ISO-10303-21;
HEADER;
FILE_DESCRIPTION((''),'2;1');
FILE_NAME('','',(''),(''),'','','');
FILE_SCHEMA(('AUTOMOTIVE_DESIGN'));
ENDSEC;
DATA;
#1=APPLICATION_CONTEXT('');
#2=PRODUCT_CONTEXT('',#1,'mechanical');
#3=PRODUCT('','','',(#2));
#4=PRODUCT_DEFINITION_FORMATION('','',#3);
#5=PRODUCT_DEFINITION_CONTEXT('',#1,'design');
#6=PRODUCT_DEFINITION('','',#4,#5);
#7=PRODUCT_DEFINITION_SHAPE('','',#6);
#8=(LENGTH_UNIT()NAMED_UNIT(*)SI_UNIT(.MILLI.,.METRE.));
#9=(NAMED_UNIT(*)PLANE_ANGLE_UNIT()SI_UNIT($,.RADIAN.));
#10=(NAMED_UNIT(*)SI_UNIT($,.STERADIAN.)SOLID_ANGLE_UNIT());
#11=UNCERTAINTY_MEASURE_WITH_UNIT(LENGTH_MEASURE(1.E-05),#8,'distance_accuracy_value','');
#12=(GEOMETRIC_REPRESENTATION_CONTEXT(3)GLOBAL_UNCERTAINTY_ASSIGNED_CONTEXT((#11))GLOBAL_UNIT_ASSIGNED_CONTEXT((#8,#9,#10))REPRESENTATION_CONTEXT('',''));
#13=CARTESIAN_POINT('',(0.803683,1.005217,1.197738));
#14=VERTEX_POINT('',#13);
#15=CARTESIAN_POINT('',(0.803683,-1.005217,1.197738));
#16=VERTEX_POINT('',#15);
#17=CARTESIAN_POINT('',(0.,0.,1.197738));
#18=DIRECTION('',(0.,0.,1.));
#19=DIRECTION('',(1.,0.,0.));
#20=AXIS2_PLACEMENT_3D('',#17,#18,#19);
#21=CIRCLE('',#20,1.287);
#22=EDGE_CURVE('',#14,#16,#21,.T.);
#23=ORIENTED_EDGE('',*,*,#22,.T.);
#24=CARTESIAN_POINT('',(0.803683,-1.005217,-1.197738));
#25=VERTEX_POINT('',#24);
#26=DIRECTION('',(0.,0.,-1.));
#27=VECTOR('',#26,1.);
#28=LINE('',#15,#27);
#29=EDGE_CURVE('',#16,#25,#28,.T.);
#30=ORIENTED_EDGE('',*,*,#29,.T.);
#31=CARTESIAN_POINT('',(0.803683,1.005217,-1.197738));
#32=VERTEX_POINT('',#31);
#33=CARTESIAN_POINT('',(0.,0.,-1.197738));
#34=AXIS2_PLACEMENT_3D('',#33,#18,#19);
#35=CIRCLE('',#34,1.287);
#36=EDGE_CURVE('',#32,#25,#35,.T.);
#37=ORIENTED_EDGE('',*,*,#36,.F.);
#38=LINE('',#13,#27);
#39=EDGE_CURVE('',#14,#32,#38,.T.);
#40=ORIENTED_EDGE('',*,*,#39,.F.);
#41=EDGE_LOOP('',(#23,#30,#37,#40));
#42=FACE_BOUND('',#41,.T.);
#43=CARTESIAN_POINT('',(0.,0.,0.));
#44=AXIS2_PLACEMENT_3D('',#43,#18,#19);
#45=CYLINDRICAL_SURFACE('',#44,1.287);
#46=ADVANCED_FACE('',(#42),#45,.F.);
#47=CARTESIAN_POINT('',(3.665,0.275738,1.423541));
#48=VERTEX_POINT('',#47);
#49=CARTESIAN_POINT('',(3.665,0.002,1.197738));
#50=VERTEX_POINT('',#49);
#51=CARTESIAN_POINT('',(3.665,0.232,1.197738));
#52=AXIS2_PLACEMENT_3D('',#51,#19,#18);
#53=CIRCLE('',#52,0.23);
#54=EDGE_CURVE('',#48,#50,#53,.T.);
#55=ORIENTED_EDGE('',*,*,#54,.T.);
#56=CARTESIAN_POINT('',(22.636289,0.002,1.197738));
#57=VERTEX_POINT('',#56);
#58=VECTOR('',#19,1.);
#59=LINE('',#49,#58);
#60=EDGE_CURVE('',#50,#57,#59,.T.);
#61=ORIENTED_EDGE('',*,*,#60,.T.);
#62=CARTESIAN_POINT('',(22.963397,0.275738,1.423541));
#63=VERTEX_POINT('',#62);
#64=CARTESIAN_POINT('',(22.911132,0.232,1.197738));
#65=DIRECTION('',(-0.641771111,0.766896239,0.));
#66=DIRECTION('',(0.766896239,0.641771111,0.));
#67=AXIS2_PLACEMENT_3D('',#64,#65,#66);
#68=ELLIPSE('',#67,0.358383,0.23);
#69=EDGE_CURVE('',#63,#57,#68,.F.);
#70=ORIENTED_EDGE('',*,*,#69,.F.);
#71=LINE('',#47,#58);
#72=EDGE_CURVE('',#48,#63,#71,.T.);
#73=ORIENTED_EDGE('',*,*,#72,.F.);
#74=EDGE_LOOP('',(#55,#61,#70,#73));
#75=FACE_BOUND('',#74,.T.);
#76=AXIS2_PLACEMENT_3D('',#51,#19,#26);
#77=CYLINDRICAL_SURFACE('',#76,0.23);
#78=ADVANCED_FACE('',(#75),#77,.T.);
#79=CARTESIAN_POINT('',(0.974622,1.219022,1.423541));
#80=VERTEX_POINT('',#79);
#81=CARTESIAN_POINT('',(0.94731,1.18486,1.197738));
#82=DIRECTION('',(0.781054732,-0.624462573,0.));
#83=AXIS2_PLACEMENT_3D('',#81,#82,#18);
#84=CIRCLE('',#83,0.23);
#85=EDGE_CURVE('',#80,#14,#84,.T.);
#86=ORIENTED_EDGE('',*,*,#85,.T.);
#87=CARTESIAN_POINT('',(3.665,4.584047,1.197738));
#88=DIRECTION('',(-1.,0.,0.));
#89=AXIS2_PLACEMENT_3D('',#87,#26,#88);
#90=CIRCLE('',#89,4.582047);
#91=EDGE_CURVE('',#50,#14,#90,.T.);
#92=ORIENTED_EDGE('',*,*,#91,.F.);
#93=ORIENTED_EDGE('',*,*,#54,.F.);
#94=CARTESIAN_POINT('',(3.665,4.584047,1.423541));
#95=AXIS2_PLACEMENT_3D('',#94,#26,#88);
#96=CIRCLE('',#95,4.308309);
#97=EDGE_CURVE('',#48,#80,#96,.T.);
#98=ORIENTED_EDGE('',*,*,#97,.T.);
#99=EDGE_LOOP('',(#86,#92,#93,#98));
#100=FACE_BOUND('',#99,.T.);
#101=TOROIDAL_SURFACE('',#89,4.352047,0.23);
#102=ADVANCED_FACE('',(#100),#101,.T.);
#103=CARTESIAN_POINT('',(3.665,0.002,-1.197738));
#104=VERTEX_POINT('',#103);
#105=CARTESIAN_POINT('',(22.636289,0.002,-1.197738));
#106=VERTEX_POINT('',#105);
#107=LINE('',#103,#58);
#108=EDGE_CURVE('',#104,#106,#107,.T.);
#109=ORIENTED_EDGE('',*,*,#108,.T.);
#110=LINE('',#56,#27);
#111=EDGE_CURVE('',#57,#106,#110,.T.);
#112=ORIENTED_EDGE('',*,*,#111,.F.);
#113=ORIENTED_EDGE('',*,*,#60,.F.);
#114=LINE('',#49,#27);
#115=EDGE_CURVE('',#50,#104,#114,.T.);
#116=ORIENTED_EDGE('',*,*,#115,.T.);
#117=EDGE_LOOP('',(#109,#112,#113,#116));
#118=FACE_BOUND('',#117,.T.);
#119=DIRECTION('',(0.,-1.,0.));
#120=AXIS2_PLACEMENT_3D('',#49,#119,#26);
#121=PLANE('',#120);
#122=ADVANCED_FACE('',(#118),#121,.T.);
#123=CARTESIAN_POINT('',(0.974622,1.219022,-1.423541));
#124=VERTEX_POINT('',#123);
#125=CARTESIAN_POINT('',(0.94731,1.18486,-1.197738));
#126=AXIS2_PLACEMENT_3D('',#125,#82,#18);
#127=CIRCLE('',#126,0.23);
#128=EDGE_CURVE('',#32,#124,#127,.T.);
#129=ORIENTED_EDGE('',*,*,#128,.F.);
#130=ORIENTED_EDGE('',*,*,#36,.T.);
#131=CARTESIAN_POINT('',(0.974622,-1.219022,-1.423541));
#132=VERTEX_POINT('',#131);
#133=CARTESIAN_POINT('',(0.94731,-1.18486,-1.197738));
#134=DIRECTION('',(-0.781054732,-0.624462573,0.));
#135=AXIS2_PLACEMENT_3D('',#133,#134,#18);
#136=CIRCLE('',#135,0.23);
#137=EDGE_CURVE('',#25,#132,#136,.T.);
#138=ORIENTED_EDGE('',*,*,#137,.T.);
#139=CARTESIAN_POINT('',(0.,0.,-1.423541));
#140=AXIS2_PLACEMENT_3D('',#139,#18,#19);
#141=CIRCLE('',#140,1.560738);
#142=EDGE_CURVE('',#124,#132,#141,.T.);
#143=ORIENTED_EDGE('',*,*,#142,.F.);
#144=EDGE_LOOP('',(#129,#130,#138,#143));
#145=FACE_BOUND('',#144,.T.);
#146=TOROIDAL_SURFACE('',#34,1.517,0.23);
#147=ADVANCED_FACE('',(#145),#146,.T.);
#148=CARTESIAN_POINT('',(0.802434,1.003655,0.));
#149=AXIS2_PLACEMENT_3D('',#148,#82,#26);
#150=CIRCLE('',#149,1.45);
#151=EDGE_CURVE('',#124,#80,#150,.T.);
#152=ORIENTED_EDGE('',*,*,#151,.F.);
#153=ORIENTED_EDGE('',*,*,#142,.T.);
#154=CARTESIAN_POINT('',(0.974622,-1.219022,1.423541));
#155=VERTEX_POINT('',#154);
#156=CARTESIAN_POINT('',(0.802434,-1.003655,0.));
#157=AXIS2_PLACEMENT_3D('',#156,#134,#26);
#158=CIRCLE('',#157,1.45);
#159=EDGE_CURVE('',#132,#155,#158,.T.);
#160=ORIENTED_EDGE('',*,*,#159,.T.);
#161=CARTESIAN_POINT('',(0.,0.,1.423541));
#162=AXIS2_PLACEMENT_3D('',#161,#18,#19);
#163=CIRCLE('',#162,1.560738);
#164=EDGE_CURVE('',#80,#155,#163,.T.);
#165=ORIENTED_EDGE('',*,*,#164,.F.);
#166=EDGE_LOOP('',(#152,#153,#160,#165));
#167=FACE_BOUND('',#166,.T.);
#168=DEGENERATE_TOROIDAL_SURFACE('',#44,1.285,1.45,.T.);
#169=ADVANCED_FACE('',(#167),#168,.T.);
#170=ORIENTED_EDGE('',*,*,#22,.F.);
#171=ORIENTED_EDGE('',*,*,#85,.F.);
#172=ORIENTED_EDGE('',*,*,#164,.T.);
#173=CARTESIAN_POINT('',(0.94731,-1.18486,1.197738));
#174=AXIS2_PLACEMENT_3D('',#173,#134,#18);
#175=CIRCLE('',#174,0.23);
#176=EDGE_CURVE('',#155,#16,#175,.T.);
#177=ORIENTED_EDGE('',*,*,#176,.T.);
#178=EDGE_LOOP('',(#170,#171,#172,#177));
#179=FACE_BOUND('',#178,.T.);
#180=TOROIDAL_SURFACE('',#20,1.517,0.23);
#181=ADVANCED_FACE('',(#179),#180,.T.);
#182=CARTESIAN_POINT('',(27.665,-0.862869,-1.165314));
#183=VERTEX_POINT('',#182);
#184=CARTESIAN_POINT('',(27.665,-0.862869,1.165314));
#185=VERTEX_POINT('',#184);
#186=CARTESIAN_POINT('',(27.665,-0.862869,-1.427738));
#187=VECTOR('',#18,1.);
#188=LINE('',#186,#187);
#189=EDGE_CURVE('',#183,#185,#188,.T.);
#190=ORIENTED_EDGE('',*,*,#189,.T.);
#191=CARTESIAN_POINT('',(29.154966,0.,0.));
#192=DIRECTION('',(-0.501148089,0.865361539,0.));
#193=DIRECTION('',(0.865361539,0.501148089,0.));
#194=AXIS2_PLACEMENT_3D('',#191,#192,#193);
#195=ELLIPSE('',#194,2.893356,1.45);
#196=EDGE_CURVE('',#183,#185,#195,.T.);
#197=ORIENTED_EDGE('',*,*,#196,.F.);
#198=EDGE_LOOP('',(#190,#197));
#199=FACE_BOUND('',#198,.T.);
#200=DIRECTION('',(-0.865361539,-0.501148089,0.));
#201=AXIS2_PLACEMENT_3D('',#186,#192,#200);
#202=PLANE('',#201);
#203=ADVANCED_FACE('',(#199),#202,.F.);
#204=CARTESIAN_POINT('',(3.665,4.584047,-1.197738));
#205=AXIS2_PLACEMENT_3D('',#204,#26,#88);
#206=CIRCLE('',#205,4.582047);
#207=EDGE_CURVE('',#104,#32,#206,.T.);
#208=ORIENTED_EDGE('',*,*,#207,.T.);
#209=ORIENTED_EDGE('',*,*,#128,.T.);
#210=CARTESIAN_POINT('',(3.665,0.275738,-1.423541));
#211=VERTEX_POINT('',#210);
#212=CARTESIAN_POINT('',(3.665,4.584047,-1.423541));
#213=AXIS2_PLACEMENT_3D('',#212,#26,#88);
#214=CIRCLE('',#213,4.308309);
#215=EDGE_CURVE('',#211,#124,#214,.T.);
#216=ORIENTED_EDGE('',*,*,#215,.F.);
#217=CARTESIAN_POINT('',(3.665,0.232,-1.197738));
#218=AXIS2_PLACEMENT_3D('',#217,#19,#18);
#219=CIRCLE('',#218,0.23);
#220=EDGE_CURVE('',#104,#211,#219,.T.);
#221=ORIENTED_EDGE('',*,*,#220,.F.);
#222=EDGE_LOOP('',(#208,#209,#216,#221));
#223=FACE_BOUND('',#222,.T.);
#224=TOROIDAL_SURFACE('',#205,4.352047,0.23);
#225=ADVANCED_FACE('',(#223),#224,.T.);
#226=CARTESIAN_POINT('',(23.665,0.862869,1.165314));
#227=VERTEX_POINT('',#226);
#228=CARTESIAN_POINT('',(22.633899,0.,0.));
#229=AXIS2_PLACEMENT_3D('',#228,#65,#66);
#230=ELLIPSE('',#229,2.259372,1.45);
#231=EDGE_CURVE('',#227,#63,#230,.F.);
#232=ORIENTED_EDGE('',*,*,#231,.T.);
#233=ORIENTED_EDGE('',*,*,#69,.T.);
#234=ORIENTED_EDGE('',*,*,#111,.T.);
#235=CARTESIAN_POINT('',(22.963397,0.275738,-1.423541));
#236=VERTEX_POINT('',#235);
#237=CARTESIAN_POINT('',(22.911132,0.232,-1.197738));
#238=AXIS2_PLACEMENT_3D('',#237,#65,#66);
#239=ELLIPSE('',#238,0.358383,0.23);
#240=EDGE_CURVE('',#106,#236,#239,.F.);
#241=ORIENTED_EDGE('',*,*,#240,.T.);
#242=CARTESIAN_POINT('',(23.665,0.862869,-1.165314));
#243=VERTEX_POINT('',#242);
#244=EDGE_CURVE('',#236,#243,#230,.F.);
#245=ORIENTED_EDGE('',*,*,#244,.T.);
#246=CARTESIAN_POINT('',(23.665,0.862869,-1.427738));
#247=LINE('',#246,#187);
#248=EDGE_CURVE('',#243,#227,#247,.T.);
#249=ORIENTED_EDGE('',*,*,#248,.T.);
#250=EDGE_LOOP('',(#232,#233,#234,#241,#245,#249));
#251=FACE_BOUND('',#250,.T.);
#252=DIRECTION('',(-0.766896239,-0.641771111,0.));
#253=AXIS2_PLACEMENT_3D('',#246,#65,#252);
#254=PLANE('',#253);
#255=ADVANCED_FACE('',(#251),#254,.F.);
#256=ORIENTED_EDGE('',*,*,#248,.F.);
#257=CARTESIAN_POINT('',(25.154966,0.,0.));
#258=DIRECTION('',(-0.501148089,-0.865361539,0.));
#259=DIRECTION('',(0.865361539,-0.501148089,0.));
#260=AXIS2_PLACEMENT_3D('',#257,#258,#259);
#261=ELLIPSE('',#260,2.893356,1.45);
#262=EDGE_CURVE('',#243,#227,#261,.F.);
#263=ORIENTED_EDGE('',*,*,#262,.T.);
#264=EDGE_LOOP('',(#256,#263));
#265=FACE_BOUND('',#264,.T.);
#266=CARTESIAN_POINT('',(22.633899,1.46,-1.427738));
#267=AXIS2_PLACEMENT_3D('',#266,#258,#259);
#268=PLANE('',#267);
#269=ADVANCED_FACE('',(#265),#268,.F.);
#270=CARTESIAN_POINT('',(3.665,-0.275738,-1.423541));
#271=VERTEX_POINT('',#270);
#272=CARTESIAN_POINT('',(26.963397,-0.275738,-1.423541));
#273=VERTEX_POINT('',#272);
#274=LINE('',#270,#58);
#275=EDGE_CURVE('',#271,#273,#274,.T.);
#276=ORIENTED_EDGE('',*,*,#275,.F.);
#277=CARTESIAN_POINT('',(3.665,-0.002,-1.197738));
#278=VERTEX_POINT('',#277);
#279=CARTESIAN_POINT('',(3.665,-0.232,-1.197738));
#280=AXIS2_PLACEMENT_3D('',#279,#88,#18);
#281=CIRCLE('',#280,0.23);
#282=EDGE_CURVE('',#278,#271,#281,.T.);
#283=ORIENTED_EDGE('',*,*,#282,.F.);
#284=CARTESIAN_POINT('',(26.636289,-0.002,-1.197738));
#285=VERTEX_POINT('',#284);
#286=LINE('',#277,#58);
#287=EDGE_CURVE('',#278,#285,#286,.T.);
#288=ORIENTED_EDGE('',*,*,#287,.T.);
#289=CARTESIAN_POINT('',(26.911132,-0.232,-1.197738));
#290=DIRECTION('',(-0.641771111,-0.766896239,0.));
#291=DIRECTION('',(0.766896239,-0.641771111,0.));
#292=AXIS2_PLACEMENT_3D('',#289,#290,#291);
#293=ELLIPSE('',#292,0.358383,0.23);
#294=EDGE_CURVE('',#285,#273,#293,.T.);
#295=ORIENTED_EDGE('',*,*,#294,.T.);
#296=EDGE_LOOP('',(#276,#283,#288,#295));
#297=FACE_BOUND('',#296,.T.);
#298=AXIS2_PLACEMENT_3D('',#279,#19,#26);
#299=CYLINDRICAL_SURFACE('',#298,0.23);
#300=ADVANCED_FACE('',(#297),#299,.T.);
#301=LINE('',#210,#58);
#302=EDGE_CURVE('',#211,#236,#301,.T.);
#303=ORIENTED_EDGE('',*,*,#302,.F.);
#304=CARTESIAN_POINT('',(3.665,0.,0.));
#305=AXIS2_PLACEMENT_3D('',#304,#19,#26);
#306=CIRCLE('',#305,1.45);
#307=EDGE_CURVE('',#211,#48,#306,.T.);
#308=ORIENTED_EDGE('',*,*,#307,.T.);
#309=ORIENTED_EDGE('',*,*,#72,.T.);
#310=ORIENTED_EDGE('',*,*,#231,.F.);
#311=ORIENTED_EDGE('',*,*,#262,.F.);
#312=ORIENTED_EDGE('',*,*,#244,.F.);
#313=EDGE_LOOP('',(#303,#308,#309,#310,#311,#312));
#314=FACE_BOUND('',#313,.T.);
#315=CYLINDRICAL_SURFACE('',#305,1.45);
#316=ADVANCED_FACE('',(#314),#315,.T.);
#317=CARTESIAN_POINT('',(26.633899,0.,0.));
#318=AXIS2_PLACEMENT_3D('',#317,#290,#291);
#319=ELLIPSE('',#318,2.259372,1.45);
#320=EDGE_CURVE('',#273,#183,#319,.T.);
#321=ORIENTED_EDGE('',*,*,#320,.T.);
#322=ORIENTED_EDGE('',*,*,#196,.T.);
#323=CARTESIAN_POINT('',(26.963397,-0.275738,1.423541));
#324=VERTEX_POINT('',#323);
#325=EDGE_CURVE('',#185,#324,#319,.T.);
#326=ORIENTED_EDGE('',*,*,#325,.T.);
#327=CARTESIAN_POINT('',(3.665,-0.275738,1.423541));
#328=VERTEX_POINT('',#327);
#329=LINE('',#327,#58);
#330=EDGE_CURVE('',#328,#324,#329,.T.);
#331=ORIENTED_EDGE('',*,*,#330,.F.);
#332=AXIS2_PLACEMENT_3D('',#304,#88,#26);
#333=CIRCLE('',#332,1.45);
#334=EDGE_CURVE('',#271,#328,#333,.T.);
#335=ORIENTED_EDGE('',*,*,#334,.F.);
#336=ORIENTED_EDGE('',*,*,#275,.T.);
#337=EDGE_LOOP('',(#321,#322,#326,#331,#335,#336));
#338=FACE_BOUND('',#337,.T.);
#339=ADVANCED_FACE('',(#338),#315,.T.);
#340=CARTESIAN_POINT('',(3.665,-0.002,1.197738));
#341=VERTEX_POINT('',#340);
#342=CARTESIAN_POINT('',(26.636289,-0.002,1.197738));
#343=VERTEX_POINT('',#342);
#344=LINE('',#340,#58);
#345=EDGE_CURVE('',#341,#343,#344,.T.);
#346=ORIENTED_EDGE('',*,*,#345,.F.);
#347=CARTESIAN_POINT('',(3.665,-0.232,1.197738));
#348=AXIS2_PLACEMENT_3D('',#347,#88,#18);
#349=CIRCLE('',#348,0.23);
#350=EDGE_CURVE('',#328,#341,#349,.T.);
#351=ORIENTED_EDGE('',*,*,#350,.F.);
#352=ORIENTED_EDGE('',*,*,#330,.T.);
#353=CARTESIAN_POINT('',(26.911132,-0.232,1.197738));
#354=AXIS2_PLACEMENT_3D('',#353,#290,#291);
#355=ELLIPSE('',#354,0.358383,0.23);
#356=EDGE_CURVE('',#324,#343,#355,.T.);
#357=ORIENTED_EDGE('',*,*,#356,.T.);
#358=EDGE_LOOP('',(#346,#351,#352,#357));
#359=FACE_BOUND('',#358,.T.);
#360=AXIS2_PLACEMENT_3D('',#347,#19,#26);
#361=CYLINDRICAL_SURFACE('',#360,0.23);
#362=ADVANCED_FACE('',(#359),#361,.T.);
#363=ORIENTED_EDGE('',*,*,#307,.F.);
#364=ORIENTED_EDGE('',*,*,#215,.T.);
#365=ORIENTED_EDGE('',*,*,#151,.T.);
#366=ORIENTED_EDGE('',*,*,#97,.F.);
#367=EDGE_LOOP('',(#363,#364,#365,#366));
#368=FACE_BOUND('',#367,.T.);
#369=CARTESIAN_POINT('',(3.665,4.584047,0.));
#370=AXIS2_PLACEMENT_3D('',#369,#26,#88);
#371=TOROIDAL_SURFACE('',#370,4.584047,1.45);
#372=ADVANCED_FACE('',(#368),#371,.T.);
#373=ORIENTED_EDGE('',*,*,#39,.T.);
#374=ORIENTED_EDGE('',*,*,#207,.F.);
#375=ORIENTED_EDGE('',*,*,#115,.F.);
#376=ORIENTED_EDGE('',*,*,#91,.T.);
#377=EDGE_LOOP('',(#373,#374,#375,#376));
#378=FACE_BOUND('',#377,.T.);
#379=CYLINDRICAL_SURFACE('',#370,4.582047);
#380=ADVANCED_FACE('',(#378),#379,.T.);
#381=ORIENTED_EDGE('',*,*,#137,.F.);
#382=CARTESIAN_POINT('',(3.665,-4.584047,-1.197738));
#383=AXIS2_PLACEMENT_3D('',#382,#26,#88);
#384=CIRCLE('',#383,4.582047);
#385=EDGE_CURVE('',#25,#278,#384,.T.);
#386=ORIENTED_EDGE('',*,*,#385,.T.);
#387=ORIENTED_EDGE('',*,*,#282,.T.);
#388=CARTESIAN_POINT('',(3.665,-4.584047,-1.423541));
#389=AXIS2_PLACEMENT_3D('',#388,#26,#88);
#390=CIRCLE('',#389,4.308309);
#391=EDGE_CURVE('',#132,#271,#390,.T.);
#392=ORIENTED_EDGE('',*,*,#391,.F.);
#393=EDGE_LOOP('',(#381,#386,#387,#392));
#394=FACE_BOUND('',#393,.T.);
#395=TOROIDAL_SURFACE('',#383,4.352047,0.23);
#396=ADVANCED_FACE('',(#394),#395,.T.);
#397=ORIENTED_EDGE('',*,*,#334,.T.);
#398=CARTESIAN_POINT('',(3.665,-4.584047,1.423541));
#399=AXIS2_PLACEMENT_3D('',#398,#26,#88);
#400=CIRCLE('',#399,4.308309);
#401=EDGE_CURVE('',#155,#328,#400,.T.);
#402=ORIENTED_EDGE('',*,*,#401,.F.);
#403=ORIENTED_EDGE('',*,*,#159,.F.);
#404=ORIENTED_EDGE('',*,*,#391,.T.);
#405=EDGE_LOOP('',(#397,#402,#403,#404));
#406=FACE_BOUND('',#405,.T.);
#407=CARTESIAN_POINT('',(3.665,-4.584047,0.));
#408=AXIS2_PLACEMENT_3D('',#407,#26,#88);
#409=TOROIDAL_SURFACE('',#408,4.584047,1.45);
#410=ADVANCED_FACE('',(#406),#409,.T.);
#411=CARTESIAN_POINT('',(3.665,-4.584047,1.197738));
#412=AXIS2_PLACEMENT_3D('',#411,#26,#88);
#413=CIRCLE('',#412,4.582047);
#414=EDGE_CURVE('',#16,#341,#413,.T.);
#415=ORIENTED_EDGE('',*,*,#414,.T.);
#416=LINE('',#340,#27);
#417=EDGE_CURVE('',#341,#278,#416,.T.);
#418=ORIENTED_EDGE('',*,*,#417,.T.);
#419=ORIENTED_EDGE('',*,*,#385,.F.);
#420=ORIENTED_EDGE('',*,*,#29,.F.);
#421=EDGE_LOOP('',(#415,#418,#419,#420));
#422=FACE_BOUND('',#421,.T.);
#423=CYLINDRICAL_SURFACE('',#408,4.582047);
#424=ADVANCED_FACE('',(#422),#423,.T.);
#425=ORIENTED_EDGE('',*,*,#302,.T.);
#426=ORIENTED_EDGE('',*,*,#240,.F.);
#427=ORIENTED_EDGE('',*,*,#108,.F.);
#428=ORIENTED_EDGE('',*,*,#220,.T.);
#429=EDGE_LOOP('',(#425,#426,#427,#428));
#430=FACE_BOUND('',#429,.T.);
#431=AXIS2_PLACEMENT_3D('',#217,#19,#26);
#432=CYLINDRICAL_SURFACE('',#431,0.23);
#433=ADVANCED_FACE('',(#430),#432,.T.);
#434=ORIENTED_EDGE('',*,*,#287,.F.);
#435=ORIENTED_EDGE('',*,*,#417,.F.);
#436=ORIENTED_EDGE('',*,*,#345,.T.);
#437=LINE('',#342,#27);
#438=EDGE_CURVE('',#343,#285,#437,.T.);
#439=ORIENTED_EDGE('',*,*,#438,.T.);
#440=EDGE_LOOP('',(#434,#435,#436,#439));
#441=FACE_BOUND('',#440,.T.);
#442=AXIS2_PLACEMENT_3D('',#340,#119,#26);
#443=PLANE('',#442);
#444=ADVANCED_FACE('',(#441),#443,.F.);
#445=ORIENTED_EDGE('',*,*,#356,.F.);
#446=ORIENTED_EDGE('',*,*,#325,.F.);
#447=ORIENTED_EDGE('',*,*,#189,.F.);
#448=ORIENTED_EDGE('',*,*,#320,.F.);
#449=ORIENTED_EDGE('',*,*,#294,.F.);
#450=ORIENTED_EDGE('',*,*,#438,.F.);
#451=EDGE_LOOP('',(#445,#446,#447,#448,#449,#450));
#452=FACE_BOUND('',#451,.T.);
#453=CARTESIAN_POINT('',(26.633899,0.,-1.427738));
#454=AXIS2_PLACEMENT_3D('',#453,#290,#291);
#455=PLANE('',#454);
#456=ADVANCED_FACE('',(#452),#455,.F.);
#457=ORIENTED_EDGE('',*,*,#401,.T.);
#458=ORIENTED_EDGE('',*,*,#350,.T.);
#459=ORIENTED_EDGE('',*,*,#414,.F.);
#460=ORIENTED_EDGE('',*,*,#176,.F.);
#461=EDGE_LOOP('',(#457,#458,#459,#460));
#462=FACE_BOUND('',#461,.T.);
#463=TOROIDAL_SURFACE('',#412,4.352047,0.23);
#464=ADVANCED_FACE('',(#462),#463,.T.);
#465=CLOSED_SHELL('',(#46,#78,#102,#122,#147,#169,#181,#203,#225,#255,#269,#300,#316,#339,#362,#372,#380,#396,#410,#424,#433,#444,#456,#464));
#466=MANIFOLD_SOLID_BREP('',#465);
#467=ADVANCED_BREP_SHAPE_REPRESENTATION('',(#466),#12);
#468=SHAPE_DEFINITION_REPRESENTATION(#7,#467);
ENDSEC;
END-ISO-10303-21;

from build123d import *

# Parameters (mm, degrees)
CONECUT_DEPTH      = 28.836502766
CONECUT_DEPTH_BACK = 28.836502766


with BuildPart() as part:
    # BaseBody: sweep along a path in PathSke
    with BuildLine(Plane.XY) as basebody_path:
        Line((23.665, 1.45), (3.665, 1.45))
        ThreePointArc((3.665, 1.45), (2.628048973, 1.626517109), (1.707905138, 2.136184692))
        ThreePointArc((1.707905138, 2.136184692), (-2.735, 0), (1.707905138, -2.136184692))
        ThreePointArc((1.707905138, -2.136184692), (2.628048973, -1.626517109), (3.665, -1.45))
        Line((3.665, -1.45), (27.665, -1.45))
    # SectionSke → BaseBody (sweep)
    with BuildSketch(Plane(origin=(23.665, 1.45, 0), x_dir=(0, 0, -1), z_dir=(1, 0, 0))):
        with BuildLine():
            Line((-1.197737868, -1.448), (1.197737868, -1.448))
            ThreePointArc((1.197737868, -1.448), (1.375163447, -1.364356291), (1.423540908, -1.174262295))
            ThreePointArc((1.423540908, -1.174262295), (0, 0), (-1.423540908, -1.174262295))
            ThreePointArc((-1.423540908, -1.174262295), (-1.375163447, -1.364356291), (-1.197737868, -1.448))
        make_face()
    sweep(path=basebody_path.line)

    # ConeCutSke → ConeCut (cut, two sides: drawn at the far end of the back side and taken through both)
    with BuildSketch(Plane.XY.offset(-CONECUT_DEPTH_BACK)):
        Polygon((22.633898934, 1.46), (27.675, 1.46), (27.675, -1.46), (26.633898934, -1.46), (27.665, -0.862868852), (26.633898934, 0), (22.633898934, 0), (23.665, 0.862868852), align=None)
    extrude(amount=CONECUT_DEPTH + CONECUT_DEPTH_BACK, mode=Mode.SUBTRACT)


solid = part.part
